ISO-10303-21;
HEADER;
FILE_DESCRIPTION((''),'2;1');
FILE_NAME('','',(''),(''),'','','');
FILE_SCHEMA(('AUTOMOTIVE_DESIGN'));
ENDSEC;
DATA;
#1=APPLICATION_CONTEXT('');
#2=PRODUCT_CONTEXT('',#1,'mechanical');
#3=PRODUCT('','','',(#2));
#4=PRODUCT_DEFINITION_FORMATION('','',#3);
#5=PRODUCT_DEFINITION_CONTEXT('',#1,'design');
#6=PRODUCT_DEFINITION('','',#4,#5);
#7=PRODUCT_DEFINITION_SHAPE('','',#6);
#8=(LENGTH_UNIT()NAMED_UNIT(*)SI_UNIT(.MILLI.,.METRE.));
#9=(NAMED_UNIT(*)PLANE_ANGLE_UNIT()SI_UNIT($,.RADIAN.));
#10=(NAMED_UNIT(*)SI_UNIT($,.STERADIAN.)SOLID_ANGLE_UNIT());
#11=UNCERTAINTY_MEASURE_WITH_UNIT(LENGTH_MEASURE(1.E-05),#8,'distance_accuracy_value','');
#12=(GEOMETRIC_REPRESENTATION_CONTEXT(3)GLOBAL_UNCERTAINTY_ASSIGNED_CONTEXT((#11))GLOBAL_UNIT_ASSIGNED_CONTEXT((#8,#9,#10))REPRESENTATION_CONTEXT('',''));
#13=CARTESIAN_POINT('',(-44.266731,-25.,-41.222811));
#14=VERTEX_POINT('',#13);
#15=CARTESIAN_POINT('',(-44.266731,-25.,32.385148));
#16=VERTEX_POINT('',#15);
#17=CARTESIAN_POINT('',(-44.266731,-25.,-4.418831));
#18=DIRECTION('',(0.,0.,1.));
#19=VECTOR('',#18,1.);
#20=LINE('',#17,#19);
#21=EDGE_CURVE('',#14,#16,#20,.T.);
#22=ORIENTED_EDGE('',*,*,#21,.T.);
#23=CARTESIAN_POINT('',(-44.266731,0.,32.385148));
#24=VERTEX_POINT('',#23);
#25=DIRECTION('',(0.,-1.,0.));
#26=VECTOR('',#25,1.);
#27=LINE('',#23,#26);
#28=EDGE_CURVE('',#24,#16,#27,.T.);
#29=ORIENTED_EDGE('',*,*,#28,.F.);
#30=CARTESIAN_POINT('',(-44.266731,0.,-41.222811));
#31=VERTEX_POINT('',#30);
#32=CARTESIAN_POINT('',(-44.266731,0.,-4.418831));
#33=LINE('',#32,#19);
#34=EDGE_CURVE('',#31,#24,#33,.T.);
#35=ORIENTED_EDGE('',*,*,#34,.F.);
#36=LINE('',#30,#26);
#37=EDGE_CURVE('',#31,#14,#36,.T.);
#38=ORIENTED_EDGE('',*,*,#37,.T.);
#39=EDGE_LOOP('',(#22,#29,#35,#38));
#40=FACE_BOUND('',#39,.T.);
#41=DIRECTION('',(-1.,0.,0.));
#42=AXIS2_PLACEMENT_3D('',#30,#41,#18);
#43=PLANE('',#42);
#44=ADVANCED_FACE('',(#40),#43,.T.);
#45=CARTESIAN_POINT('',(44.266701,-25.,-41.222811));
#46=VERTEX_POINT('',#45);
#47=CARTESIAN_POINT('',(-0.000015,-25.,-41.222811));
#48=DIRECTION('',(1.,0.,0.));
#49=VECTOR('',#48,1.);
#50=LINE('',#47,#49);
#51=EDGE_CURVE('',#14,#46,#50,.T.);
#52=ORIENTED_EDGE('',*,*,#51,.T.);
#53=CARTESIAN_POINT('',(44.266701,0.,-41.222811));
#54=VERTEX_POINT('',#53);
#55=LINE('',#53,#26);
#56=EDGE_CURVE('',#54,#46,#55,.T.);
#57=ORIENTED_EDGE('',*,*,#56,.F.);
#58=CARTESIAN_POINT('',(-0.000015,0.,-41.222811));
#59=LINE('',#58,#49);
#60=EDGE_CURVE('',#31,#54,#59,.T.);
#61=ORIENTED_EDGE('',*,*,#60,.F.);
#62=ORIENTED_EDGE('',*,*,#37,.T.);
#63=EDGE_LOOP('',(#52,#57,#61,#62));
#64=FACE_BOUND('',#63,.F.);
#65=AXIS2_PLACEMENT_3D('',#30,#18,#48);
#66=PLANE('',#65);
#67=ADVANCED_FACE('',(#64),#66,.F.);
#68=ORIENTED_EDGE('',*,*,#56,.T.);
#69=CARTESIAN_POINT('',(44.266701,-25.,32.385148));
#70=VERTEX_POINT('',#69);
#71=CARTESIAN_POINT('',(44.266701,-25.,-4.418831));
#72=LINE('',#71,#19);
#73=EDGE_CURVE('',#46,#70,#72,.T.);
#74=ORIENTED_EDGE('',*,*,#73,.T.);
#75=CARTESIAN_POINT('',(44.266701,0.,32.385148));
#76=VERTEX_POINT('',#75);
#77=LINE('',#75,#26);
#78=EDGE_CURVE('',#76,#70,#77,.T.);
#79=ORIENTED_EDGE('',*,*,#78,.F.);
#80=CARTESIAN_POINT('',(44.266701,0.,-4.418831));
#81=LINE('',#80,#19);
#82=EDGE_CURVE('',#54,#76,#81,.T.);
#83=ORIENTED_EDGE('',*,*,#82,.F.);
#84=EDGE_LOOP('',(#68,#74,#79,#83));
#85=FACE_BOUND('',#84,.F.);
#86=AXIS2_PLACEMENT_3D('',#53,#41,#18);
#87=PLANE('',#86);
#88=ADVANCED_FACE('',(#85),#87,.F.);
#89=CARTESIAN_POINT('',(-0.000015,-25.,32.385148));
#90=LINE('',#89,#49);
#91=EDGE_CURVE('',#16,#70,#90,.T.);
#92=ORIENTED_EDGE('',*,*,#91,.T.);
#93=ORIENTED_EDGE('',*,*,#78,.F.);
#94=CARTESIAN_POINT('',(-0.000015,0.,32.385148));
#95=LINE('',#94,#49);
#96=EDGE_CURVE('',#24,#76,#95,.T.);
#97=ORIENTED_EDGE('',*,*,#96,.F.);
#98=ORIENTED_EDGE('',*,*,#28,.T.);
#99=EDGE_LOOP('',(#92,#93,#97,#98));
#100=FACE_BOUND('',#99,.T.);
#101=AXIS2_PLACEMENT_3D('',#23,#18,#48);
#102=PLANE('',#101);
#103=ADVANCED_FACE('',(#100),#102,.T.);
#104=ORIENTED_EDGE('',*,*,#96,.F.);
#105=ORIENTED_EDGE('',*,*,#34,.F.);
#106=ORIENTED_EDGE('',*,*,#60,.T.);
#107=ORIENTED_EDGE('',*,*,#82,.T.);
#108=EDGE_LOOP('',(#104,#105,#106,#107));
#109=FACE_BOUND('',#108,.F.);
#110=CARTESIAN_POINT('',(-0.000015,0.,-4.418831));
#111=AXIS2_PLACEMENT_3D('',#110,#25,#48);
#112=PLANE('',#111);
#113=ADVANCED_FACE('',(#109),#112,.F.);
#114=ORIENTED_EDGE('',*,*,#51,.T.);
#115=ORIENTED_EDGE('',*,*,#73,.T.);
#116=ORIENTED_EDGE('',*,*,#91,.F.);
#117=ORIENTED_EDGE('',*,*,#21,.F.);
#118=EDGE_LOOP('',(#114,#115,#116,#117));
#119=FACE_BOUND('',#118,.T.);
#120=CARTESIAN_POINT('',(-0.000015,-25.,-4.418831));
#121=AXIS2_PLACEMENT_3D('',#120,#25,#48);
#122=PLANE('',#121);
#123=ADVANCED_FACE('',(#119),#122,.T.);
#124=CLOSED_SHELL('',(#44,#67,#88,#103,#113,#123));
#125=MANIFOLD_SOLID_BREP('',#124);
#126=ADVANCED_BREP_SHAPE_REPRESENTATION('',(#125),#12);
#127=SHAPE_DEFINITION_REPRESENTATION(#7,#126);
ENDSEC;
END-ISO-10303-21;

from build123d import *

# Parameters (mm, degrees)
F0_W     = 88.533432
F0_H     = 73.607959
F1_DEPTH = 25


with BuildPart() as f1:
    # F0 (on Front) → F1 (new body)
    with BuildSketch(Plane.XZ):
        with Locations((-1.5e-05, -4.418831)):
            Rectangle(F0_W, F0_H)
    extrude(amount=F1_DEPTH)


solid = f1.part
